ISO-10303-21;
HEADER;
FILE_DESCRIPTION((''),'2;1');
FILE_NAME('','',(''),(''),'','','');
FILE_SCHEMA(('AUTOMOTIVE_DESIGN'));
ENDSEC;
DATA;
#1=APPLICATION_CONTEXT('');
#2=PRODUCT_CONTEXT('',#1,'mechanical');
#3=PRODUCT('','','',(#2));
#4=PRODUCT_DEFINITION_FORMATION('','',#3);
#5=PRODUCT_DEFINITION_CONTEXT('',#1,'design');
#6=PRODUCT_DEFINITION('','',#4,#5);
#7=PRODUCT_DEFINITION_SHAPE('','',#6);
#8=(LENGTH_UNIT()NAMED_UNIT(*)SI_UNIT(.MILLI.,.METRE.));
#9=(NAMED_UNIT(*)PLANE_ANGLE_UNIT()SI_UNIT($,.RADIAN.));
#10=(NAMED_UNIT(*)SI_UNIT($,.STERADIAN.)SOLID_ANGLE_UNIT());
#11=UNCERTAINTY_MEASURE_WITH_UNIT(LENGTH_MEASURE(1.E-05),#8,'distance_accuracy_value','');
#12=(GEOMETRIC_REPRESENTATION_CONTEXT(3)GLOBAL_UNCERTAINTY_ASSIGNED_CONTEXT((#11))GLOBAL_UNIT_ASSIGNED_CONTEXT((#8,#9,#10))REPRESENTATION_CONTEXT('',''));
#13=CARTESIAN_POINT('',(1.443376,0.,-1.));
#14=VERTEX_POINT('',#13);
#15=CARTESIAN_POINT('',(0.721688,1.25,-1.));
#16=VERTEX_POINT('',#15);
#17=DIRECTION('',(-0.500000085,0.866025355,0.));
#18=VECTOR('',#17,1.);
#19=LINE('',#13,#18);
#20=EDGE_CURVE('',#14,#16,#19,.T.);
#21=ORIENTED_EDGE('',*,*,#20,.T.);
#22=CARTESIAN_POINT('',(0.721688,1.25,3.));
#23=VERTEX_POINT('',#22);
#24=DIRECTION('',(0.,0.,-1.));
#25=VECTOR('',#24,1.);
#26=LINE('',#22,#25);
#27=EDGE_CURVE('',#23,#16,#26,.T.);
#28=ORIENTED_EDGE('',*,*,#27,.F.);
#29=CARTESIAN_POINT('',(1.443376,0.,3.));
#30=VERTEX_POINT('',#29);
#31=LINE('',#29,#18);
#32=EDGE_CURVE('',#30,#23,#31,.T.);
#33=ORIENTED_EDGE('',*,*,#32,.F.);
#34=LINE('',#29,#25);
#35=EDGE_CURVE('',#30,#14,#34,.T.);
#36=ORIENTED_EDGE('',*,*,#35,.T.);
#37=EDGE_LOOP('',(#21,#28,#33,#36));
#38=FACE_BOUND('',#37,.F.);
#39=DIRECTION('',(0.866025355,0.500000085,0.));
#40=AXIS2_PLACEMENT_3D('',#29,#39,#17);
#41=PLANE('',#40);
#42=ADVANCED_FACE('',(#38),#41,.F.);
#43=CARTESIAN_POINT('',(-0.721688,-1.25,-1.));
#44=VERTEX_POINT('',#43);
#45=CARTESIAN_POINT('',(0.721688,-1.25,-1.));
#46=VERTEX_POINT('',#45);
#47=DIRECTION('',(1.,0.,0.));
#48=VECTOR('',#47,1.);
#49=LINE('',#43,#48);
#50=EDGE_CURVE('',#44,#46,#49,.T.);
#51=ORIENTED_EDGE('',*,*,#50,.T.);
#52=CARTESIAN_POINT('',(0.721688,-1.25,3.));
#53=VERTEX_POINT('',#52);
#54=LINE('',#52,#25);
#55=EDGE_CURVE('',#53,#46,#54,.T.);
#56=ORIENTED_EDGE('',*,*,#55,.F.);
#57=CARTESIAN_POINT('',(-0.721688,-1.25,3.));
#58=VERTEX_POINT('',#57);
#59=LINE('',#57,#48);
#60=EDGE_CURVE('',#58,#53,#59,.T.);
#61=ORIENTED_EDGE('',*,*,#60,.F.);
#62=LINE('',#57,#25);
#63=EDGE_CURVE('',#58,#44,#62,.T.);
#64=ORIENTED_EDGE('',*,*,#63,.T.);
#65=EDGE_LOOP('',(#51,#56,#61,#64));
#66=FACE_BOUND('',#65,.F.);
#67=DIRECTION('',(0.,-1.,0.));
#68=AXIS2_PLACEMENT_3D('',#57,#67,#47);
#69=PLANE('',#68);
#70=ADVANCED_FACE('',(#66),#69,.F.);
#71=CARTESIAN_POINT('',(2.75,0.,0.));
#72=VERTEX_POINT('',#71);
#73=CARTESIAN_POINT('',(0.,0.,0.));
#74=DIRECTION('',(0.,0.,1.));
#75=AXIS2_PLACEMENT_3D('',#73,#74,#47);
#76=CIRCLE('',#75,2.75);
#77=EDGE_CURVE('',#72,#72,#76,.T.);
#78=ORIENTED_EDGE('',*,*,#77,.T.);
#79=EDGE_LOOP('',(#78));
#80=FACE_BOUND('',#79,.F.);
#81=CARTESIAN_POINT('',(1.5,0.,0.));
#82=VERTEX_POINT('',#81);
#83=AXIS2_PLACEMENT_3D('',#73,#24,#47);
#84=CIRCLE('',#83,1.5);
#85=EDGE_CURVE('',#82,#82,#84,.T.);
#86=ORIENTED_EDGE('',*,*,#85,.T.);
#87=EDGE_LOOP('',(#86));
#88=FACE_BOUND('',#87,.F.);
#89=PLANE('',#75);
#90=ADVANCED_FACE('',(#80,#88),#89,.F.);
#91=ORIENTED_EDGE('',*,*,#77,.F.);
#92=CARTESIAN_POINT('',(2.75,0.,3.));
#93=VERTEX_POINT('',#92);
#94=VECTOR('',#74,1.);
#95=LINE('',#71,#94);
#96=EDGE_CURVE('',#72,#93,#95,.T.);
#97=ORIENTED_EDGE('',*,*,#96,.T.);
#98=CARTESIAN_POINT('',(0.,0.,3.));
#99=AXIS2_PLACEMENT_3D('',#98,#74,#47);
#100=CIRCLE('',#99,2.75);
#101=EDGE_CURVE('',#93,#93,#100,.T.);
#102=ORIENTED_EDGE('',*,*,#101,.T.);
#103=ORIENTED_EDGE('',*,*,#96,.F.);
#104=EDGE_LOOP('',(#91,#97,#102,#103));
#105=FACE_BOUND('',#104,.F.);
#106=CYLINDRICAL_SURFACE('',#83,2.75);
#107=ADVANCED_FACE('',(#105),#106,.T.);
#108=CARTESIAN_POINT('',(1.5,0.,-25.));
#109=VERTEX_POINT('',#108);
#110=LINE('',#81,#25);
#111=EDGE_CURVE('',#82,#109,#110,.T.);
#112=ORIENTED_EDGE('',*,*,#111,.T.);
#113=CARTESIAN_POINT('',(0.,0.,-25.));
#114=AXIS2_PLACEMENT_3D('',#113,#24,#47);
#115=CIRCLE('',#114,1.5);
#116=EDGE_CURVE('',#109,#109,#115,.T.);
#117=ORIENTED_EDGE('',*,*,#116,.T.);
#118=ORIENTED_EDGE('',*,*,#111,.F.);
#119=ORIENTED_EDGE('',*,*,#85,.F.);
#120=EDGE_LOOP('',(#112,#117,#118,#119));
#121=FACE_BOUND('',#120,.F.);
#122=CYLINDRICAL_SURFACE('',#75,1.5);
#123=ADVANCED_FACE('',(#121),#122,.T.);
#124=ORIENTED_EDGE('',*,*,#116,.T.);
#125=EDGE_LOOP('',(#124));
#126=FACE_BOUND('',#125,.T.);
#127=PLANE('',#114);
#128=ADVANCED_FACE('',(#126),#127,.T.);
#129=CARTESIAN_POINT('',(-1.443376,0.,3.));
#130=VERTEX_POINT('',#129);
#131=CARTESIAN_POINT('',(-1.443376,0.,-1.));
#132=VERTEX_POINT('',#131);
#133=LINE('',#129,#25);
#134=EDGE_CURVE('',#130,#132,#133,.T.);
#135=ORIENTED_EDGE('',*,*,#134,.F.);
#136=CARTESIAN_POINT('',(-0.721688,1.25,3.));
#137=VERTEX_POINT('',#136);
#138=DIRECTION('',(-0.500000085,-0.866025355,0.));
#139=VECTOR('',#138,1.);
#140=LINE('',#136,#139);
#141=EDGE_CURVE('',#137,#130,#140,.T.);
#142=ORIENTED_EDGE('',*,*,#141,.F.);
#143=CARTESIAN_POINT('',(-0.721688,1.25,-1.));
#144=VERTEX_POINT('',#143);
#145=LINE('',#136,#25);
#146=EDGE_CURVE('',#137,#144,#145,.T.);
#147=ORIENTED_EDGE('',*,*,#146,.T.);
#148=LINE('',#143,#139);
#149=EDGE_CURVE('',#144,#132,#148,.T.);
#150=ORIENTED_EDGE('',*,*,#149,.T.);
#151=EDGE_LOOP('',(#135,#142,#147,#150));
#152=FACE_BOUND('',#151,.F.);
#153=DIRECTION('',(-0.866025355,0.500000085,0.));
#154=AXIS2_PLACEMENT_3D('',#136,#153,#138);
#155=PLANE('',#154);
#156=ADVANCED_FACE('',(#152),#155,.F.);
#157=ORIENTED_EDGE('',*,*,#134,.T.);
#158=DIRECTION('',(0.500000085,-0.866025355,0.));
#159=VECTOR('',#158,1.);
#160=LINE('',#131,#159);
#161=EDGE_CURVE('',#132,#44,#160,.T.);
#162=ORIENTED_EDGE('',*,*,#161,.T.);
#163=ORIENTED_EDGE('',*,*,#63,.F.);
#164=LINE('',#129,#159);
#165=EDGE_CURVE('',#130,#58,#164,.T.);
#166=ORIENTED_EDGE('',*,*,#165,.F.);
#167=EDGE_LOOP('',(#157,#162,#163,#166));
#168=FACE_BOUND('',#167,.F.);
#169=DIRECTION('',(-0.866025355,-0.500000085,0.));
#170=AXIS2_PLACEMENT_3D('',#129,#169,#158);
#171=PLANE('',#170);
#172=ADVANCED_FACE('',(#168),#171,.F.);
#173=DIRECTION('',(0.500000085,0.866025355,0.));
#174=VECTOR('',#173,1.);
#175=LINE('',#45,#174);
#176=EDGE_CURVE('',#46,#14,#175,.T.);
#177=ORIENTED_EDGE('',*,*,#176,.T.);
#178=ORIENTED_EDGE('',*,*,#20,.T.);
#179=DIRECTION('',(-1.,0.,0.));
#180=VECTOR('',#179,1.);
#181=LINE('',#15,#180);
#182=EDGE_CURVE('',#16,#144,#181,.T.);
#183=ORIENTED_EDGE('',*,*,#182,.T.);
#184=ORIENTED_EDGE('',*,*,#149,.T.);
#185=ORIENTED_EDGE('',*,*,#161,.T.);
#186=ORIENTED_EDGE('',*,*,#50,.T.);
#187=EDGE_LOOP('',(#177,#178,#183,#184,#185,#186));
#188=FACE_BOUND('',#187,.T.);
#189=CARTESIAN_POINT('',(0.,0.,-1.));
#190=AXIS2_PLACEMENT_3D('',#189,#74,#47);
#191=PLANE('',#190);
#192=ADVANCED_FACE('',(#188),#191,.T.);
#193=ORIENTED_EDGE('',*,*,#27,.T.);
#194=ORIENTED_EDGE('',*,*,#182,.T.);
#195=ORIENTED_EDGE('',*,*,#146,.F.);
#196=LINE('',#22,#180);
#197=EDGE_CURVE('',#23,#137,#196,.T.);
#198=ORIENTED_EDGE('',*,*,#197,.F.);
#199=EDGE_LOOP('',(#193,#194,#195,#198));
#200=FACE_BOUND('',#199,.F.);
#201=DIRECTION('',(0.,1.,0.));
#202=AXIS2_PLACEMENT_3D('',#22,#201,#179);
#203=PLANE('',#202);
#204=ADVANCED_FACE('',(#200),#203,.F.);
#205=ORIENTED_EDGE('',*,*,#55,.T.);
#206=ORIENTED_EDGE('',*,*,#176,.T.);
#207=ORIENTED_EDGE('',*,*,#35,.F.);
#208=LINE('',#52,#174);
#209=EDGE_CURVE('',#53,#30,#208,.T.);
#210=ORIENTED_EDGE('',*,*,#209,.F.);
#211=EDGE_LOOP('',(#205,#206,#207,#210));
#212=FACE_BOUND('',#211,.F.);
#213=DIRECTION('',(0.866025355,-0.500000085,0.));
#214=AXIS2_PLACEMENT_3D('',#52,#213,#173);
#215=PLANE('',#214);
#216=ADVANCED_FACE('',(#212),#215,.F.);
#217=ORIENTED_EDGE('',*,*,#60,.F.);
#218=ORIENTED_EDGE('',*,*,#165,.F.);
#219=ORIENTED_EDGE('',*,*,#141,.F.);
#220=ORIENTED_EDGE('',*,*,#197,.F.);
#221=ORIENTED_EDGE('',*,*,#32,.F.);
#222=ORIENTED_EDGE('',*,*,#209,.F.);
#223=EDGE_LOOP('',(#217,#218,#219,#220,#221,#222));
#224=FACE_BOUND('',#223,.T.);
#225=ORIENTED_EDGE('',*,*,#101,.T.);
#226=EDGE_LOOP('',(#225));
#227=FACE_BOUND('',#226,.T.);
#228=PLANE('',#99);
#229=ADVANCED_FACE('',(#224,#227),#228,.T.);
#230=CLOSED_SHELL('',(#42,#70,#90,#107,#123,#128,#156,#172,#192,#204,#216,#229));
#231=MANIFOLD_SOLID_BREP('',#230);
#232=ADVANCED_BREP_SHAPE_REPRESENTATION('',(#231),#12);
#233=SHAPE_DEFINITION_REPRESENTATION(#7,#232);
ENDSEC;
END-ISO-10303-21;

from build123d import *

# Parameters (mm, degrees)
SKETCH_R     = 2.75
PAD_DEPTH    = 3
SKETCH001_R  = 1.5
PAD001_DEPTH = 25
POCKET_DEPTH = 4


with BuildPart() as part:
    # Sketch → Pad (new body)
    with BuildSketch(Plane.XY):
        Circle(SKETCH_R)
    extrude(amount=PAD_DEPTH)

    # Sketch001 (on Face2 of Pad) → Pad001 (join)
    with BuildSketch(Plane(origin=(0, 0, 0), x_dir=(1, 0, 0), z_dir=(0, 0, -1))):
        Circle(SKETCH001_R)
    extrude(amount=PAD001_DEPTH)

    # Sketch002 (on DatumPlane) → Pocket (cut)
    with BuildSketch(Plane.XY.offset(3)):
        Polygon((0.721688, -1.25), (1.443376, 0), (0.721688, 1.25), (-0.721688, 1.25), (-1.443376, 0), (-0.721688, -1.25), align=None)
    extrude(amount=-POCKET_DEPTH, mode=Mode.SUBTRACT)


solid = part.part
